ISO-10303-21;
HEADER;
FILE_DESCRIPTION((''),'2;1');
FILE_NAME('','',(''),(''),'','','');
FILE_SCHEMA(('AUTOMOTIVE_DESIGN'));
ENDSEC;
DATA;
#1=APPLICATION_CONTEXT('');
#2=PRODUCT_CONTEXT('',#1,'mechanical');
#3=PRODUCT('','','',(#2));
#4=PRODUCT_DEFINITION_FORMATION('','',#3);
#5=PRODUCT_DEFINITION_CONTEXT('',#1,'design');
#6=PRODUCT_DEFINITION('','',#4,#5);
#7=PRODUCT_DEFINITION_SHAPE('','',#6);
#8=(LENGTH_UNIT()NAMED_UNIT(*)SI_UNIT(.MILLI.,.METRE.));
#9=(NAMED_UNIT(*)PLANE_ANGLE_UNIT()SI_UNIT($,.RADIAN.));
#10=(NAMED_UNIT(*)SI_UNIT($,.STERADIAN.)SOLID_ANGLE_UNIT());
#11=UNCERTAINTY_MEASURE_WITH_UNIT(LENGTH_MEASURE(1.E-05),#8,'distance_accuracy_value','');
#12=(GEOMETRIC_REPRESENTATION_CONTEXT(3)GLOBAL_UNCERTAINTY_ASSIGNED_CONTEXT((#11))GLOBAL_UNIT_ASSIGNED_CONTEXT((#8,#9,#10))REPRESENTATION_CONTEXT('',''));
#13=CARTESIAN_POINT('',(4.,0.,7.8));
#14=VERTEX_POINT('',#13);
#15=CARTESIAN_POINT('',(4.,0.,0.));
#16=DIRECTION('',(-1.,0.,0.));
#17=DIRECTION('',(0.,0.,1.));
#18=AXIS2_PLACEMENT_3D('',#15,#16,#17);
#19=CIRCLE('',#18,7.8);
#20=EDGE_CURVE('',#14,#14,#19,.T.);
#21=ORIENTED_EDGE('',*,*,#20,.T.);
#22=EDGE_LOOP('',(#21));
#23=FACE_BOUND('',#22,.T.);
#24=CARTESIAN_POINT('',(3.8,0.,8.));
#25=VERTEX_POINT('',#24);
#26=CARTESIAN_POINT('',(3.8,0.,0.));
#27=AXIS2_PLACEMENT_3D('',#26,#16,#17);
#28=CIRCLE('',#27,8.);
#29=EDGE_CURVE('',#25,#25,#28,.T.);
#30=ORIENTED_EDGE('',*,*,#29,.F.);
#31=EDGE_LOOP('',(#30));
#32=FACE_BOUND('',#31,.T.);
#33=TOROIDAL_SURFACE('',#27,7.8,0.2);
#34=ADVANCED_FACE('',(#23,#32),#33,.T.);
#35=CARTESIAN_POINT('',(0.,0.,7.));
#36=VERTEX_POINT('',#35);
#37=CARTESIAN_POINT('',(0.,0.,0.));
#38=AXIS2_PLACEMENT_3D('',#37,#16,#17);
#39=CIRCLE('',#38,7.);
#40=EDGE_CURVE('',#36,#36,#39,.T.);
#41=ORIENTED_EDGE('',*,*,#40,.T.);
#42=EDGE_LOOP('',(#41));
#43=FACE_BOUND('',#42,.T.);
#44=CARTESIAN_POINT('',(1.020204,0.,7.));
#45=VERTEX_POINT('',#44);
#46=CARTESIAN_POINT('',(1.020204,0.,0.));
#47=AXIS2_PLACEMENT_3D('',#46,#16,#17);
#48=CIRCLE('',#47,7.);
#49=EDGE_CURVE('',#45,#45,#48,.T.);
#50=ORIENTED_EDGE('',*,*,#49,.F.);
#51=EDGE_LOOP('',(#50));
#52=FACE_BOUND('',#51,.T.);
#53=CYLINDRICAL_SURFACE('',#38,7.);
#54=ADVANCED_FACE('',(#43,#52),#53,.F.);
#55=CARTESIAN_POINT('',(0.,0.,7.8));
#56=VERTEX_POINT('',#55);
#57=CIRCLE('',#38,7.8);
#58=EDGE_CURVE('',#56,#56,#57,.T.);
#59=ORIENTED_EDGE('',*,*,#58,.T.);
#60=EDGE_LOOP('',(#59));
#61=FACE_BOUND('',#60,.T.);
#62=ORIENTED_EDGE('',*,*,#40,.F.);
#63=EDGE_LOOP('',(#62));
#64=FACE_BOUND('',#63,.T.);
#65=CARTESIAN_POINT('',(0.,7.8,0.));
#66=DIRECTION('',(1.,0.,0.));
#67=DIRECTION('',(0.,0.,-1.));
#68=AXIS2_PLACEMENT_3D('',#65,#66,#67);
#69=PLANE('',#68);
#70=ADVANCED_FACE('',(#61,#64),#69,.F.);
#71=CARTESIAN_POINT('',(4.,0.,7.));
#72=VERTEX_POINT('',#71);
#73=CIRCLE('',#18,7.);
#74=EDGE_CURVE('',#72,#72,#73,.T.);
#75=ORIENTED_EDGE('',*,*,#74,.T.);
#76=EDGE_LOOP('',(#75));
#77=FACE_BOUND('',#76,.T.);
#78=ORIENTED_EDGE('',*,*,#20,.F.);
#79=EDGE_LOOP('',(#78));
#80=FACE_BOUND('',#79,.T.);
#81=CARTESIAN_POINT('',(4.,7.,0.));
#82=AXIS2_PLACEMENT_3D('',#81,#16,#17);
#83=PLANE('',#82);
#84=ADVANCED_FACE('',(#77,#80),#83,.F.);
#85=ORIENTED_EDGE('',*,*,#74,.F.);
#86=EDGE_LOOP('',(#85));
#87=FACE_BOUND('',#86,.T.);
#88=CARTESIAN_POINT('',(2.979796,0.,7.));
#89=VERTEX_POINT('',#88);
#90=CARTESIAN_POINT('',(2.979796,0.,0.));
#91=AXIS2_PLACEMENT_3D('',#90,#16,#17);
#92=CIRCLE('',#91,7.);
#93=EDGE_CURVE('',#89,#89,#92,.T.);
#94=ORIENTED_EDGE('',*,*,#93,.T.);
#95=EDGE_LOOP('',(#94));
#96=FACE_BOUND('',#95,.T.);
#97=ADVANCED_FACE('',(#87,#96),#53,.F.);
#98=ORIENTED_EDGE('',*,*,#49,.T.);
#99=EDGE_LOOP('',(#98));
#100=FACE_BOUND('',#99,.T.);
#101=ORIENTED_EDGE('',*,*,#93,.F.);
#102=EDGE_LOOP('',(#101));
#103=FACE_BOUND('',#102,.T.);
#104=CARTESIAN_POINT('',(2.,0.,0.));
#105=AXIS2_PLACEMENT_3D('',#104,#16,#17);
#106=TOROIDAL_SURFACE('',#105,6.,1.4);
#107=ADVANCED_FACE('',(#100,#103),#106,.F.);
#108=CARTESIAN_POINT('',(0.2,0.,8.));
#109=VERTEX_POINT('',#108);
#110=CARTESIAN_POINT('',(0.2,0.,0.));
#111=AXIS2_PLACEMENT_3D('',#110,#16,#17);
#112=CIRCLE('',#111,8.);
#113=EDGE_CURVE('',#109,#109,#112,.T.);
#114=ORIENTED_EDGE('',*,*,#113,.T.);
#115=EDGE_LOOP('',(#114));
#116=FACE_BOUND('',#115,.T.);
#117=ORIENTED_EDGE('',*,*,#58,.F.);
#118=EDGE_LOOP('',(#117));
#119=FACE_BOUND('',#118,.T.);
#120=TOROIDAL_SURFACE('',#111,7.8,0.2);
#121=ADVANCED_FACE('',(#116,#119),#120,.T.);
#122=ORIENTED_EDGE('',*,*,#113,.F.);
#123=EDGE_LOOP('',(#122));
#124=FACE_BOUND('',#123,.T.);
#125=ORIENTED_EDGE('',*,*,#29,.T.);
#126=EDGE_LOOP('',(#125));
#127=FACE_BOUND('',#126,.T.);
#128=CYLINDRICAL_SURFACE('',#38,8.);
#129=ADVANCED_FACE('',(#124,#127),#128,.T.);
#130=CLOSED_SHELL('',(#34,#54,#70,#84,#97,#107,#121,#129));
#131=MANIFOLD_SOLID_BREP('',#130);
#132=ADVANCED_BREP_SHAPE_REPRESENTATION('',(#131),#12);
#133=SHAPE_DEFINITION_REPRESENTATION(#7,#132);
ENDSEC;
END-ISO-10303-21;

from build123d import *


with BuildPart() as part:
    # Esquisse1 → Base-Révolution (revolve)
    with BuildSketch(Plane.XY):
        with BuildLine():
            Line((0, 7), (1.020204103, 7))
            ThreePointArc((1.020204103, 7), (2, 7.4), (2.979795897, 7))
            Line((2.979795897, 7), (4, 7))
            Line((4, 7), (4, 7.8))
            ThreePointArc((4, 7.8), (3.941421356, 7.941421356), (3.8, 8))
            Line((3.8, 8), (0.2, 8))
            ThreePointArc((0.2, 8), (0.058578644, 7.941421356), (0, 7.8))
            Line((0, 7.8), (0, 7))
        make_face()
    revolve(axis=Axis((0, 0, 0), (1, 0, 0)))


solid = part.part
